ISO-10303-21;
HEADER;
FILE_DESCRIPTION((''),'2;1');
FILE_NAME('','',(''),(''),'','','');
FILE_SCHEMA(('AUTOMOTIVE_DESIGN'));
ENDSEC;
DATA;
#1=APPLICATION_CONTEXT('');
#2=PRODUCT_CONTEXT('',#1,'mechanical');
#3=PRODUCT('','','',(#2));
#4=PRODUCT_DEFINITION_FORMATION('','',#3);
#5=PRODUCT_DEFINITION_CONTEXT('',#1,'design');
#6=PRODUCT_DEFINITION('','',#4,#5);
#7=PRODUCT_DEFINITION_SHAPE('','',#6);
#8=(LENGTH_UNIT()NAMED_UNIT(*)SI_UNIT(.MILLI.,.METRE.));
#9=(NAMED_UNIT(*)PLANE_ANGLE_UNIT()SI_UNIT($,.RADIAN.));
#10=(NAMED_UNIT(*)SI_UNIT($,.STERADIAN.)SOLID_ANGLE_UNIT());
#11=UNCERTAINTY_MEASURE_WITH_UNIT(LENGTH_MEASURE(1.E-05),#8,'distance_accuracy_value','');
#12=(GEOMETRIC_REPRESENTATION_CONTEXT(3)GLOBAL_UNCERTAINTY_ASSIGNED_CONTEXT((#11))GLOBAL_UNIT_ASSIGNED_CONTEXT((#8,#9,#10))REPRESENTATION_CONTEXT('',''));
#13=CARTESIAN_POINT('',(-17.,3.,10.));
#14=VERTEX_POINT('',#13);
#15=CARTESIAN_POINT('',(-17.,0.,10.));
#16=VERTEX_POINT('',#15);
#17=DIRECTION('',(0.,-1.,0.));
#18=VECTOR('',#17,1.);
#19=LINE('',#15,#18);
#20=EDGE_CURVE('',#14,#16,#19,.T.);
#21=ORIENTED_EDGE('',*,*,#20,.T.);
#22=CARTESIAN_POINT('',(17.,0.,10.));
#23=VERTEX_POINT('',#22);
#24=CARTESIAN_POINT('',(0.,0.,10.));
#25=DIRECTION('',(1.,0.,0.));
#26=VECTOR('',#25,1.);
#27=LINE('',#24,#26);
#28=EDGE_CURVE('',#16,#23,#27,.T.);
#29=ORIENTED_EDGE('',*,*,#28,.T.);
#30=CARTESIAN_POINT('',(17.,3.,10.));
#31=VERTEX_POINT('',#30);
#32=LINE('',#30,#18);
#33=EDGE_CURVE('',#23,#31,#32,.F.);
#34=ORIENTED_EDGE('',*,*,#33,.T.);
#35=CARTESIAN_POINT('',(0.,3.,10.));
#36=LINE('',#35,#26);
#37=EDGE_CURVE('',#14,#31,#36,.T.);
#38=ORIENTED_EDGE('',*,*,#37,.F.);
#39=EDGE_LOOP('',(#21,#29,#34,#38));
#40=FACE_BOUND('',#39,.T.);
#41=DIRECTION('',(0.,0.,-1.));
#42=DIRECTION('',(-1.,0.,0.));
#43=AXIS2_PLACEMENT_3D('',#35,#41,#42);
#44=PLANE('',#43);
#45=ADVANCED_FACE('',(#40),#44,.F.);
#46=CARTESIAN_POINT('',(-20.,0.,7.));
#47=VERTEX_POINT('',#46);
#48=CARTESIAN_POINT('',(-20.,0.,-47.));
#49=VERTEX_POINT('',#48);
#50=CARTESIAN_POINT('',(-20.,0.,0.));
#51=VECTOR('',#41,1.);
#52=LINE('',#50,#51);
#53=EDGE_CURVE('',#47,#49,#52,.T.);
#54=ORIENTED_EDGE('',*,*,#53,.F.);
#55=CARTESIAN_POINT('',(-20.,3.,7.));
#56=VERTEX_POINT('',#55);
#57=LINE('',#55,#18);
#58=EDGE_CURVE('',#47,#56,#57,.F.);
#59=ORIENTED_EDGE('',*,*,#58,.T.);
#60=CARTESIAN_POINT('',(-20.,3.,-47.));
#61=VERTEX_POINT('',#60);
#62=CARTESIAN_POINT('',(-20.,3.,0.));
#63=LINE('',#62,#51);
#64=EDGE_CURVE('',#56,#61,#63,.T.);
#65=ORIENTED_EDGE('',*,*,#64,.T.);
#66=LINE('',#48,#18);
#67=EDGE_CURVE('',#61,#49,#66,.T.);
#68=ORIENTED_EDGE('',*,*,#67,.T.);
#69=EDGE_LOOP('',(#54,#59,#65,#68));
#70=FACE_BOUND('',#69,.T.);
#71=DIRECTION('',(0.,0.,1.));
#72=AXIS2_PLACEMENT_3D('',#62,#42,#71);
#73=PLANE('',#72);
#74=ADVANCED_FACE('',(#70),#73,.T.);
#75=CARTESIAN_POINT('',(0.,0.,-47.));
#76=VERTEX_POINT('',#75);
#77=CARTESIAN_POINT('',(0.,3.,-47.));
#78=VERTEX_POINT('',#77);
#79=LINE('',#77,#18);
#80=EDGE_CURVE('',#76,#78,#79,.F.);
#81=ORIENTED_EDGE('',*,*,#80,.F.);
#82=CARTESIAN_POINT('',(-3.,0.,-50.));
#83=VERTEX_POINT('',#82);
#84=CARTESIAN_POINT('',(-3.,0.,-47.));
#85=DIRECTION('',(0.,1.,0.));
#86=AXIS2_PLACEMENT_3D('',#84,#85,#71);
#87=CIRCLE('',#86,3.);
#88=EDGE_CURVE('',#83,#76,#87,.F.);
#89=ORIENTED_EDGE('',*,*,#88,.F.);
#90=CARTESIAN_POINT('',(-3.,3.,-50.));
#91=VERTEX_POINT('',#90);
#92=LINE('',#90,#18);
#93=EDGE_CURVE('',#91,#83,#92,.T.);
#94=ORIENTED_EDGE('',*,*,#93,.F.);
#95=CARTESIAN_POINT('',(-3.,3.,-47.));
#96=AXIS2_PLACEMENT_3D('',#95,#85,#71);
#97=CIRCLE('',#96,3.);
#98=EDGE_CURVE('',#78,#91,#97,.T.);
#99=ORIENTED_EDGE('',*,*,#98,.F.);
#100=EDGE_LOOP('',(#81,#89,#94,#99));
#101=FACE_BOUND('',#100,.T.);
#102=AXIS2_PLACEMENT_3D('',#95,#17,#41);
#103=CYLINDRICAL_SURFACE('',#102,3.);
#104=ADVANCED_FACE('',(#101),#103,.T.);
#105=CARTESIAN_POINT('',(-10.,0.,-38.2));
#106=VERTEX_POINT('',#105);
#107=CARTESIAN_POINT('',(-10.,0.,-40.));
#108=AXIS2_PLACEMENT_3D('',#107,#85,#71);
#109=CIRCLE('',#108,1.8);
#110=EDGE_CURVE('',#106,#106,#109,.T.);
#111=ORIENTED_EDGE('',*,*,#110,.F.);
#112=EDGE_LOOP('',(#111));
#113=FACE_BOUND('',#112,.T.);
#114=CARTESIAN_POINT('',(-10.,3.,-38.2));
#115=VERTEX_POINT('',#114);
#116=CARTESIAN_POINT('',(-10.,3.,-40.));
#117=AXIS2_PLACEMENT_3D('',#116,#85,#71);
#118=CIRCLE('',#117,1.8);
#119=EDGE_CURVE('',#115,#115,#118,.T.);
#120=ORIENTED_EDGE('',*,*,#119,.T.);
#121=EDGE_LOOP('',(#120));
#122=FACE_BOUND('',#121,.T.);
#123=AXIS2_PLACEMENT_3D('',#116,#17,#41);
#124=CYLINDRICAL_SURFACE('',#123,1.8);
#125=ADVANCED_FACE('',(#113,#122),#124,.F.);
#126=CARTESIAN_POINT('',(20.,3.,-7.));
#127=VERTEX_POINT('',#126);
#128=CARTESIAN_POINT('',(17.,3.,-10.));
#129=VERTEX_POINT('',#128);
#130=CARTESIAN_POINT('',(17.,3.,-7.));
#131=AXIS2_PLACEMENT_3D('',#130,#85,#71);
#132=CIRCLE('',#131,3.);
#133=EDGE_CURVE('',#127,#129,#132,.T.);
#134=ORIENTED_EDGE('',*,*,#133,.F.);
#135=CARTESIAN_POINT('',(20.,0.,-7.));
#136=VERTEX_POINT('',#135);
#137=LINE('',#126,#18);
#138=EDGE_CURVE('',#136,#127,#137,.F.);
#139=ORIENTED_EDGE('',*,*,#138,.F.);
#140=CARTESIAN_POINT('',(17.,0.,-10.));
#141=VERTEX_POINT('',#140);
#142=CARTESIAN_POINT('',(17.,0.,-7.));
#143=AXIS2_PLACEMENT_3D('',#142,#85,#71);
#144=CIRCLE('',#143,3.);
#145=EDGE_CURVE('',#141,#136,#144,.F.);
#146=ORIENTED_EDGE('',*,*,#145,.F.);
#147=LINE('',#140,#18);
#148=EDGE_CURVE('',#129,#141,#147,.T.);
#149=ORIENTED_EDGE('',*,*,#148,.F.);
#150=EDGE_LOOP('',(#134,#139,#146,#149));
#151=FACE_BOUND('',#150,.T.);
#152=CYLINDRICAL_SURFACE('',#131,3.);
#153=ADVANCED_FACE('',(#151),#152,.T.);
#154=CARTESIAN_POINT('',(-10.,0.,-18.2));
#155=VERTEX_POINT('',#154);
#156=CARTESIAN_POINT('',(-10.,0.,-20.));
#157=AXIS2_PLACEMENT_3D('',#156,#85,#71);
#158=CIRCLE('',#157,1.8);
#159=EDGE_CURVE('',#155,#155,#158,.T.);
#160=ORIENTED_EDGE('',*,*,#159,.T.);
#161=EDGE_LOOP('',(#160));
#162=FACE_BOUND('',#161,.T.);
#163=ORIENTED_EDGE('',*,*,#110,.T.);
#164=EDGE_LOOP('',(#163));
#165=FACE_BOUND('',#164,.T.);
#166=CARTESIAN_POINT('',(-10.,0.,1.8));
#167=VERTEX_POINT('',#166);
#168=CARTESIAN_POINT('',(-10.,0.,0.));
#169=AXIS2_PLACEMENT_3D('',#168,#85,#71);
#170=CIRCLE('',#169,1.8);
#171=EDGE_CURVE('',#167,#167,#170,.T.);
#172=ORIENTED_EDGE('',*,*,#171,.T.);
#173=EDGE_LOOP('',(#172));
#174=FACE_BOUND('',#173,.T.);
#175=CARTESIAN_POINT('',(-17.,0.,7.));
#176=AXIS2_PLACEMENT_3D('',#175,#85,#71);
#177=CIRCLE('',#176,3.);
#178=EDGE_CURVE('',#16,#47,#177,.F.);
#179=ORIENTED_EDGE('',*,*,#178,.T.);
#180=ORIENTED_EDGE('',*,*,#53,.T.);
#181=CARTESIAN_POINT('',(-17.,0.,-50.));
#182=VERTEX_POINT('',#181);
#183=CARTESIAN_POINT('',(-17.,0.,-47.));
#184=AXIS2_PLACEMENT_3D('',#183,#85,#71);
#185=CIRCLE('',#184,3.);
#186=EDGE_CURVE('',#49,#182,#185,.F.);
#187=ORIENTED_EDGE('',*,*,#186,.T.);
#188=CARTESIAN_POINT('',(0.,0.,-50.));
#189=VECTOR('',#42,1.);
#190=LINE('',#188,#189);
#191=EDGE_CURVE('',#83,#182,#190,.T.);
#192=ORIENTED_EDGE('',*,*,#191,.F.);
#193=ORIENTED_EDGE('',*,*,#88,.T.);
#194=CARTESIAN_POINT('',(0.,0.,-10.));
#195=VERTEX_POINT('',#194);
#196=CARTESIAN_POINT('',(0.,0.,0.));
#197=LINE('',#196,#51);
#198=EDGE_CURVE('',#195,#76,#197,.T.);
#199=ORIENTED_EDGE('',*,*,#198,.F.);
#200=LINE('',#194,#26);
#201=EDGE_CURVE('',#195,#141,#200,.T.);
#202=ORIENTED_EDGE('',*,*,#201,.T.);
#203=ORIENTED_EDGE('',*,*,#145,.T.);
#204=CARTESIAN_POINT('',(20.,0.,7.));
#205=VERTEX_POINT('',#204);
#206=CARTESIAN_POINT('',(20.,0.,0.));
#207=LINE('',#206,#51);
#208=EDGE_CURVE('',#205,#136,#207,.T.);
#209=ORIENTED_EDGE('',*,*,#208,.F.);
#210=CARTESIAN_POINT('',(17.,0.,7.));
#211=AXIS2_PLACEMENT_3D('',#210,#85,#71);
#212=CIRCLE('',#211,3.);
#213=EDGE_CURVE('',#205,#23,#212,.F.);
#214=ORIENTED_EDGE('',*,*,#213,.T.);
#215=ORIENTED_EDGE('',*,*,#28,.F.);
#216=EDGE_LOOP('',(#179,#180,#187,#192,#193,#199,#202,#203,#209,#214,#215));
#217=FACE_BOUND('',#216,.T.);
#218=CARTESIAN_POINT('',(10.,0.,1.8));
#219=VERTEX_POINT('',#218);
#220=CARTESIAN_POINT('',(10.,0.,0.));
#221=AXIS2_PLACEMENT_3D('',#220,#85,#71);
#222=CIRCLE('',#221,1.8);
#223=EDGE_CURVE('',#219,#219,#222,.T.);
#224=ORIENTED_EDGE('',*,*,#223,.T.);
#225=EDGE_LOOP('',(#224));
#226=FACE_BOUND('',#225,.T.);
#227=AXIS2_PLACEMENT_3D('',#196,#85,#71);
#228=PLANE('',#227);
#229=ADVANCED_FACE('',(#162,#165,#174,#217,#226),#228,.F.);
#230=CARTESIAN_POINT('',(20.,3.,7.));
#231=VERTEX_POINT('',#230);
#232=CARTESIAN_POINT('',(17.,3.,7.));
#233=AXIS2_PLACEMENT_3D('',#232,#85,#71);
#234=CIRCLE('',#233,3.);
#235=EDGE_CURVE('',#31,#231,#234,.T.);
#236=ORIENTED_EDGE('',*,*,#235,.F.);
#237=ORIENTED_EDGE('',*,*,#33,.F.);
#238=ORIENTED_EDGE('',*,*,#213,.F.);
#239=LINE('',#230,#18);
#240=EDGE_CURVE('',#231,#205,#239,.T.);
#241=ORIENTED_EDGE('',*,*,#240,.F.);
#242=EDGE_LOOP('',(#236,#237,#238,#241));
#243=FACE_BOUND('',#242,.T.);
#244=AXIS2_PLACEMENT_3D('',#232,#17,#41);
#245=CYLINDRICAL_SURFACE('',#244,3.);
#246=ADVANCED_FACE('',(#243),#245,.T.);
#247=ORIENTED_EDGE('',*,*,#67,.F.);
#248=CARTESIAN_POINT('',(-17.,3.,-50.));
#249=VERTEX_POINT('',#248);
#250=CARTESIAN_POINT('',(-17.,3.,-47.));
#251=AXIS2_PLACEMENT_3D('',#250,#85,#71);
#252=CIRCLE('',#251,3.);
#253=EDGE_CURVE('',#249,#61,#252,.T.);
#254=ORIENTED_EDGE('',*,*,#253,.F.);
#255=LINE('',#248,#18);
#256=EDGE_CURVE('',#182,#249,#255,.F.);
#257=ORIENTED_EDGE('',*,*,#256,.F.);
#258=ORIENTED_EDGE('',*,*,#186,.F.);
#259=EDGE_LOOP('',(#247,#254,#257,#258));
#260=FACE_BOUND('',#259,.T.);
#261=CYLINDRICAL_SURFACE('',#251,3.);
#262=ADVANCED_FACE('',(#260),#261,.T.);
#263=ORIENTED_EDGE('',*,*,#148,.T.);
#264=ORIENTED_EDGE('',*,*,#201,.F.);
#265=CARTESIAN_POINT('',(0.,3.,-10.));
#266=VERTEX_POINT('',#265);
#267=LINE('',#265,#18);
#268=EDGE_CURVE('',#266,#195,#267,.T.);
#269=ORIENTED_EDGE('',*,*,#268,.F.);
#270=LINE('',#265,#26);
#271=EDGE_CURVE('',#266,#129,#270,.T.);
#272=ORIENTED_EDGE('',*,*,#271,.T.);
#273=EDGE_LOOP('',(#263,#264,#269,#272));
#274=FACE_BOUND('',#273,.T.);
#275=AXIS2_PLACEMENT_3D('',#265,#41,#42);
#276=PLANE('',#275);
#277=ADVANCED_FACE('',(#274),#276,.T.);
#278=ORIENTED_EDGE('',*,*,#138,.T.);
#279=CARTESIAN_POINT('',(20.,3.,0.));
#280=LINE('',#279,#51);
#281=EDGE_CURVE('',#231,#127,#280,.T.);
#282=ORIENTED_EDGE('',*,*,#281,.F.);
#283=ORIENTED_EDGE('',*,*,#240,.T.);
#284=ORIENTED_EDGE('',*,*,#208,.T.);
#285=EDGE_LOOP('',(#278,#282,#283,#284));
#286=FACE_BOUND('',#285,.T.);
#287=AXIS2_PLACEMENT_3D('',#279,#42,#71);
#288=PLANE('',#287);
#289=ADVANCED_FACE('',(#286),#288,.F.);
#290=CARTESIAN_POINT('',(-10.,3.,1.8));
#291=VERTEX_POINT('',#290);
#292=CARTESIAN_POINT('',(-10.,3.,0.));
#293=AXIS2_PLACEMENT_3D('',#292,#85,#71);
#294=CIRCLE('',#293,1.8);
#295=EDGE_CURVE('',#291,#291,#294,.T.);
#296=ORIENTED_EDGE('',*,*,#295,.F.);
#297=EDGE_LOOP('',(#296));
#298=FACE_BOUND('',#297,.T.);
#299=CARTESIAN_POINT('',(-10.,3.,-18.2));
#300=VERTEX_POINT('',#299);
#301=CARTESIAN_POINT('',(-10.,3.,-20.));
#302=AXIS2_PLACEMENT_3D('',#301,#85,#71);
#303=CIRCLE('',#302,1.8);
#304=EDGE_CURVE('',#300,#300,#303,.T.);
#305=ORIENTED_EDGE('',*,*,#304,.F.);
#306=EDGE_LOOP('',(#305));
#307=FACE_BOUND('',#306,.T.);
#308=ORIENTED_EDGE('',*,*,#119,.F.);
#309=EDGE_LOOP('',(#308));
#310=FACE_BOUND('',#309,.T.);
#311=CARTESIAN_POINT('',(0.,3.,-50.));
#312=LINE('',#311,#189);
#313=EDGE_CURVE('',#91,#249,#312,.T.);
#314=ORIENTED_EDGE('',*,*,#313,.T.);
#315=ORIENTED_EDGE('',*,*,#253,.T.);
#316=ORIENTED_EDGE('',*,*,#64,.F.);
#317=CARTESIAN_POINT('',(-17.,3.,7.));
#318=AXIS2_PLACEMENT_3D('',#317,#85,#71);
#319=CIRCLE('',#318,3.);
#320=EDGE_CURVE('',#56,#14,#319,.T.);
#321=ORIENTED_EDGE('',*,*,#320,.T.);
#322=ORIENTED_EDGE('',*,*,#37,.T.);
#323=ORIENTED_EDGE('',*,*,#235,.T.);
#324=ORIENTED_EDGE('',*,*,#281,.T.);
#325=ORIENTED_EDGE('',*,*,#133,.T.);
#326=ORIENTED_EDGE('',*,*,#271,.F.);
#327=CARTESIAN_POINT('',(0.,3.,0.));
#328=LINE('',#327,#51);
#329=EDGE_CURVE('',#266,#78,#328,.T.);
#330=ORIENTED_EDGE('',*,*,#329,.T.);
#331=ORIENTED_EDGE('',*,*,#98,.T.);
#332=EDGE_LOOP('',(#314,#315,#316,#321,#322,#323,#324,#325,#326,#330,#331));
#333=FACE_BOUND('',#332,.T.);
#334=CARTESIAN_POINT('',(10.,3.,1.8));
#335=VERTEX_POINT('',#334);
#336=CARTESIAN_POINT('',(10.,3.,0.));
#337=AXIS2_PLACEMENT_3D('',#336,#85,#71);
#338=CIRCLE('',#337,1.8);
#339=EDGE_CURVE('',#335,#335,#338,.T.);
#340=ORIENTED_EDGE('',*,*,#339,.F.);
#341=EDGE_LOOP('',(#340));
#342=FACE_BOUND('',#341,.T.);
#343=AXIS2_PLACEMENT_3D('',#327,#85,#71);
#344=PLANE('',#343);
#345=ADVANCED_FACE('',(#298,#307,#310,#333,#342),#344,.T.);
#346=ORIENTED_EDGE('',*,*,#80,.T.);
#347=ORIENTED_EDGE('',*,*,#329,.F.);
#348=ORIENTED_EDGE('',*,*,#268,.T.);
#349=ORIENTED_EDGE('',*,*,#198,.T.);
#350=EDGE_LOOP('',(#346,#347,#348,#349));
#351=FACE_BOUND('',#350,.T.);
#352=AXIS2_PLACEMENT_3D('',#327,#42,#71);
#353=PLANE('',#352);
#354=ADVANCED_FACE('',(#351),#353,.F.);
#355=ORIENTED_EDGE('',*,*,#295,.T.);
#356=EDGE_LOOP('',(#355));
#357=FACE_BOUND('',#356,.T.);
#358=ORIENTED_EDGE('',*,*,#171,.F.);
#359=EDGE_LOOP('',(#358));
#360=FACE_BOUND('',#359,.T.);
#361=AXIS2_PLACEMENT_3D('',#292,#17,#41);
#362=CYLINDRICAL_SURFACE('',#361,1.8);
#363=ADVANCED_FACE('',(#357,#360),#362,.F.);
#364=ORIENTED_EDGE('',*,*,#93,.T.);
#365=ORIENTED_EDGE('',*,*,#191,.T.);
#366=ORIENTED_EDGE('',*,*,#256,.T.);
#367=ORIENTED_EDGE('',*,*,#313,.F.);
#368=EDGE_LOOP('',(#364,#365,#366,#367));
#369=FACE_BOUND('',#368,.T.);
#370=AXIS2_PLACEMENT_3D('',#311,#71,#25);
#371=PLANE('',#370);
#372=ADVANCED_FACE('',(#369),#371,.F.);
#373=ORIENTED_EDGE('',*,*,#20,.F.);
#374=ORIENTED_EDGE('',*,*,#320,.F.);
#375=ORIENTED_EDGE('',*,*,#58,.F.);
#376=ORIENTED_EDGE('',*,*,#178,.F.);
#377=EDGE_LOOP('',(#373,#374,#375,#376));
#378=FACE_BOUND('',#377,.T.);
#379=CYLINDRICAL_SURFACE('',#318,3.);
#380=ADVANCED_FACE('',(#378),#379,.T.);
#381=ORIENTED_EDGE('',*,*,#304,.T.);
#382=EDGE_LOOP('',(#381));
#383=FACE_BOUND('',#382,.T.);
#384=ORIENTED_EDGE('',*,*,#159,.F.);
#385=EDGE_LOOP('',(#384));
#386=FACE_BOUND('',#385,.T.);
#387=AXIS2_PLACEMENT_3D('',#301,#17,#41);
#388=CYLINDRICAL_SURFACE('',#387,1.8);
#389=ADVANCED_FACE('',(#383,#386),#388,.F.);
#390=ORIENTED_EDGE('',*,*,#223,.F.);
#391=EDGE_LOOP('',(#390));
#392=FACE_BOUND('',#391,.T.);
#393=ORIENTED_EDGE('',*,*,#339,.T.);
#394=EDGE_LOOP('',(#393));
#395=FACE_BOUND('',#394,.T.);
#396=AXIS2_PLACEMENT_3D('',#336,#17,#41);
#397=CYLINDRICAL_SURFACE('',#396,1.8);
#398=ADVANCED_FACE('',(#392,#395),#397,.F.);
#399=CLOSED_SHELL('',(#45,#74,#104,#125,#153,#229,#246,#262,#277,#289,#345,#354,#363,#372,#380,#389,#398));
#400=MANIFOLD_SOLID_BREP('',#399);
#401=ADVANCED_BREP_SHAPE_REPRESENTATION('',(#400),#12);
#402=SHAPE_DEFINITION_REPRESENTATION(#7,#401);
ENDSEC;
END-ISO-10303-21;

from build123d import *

# Parameters (mm, degrees)
SKETCH_1_W      = 20
SKETCH_1_H      = 40
SKETCH_1_R      = 1.8
SKETCH_1_W_2    = 40
SKETCH_1_H_2    = 20
EXTRUDE_1_DEPTH = 3
FILLET_1_R      = 3


with BuildPart() as part:
    # 草图1 → 凸台-拉伸1 (new body)
    # profile 1 of 2: a face of its own
    with BuildSketch(Plane(origin=(0, 0, 0), x_dir=(1, 0, 0), z_dir=(0, 1, 0))):
        with Locations((-10, 30)):
            Rectangle(SKETCH_1_W, SKETCH_1_H)
        with Locations(Location((-10, 20, 0), (0, 0, 270))):
            Circle(SKETCH_1_R, mode=Mode.SUBTRACT)
        with Locations(Location((-10, 40, 0), (0, 0, 270))):
            Circle(SKETCH_1_R, mode=Mode.SUBTRACT)
    # profile 2 of 2: a face of its own
    with BuildSketch(Plane(origin=(0, 0, 0), x_dir=(1, 0, 0), z_dir=(0, 1, 0))):
        Rectangle(SKETCH_1_W_2, SKETCH_1_H_2)
        with Locations(Location((10, 0, 0), (0, 0, 270))):
            Circle(SKETCH_1_R, mode=Mode.SUBTRACT)
        with Locations(Location((-10, 0, 0), (0, 0, 270))):
            Circle(SKETCH_1_R, mode=Mode.SUBTRACT)
    extrude(amount=EXTRUDE_1_DEPTH)

    # 圆角1
    fillet_1_edges = [part.edges().sort_by_distance(p)[0] for p in [
        (-20, 1.5, -50),
        (0, 1.5, -50),
        (20, 1.5, -10),
        (20, 1.5, 10),
        (-20, 1.5, 10),
    ]]
    fillet(fillet_1_edges, radius=FILLET_1_R)


solid = part.part
